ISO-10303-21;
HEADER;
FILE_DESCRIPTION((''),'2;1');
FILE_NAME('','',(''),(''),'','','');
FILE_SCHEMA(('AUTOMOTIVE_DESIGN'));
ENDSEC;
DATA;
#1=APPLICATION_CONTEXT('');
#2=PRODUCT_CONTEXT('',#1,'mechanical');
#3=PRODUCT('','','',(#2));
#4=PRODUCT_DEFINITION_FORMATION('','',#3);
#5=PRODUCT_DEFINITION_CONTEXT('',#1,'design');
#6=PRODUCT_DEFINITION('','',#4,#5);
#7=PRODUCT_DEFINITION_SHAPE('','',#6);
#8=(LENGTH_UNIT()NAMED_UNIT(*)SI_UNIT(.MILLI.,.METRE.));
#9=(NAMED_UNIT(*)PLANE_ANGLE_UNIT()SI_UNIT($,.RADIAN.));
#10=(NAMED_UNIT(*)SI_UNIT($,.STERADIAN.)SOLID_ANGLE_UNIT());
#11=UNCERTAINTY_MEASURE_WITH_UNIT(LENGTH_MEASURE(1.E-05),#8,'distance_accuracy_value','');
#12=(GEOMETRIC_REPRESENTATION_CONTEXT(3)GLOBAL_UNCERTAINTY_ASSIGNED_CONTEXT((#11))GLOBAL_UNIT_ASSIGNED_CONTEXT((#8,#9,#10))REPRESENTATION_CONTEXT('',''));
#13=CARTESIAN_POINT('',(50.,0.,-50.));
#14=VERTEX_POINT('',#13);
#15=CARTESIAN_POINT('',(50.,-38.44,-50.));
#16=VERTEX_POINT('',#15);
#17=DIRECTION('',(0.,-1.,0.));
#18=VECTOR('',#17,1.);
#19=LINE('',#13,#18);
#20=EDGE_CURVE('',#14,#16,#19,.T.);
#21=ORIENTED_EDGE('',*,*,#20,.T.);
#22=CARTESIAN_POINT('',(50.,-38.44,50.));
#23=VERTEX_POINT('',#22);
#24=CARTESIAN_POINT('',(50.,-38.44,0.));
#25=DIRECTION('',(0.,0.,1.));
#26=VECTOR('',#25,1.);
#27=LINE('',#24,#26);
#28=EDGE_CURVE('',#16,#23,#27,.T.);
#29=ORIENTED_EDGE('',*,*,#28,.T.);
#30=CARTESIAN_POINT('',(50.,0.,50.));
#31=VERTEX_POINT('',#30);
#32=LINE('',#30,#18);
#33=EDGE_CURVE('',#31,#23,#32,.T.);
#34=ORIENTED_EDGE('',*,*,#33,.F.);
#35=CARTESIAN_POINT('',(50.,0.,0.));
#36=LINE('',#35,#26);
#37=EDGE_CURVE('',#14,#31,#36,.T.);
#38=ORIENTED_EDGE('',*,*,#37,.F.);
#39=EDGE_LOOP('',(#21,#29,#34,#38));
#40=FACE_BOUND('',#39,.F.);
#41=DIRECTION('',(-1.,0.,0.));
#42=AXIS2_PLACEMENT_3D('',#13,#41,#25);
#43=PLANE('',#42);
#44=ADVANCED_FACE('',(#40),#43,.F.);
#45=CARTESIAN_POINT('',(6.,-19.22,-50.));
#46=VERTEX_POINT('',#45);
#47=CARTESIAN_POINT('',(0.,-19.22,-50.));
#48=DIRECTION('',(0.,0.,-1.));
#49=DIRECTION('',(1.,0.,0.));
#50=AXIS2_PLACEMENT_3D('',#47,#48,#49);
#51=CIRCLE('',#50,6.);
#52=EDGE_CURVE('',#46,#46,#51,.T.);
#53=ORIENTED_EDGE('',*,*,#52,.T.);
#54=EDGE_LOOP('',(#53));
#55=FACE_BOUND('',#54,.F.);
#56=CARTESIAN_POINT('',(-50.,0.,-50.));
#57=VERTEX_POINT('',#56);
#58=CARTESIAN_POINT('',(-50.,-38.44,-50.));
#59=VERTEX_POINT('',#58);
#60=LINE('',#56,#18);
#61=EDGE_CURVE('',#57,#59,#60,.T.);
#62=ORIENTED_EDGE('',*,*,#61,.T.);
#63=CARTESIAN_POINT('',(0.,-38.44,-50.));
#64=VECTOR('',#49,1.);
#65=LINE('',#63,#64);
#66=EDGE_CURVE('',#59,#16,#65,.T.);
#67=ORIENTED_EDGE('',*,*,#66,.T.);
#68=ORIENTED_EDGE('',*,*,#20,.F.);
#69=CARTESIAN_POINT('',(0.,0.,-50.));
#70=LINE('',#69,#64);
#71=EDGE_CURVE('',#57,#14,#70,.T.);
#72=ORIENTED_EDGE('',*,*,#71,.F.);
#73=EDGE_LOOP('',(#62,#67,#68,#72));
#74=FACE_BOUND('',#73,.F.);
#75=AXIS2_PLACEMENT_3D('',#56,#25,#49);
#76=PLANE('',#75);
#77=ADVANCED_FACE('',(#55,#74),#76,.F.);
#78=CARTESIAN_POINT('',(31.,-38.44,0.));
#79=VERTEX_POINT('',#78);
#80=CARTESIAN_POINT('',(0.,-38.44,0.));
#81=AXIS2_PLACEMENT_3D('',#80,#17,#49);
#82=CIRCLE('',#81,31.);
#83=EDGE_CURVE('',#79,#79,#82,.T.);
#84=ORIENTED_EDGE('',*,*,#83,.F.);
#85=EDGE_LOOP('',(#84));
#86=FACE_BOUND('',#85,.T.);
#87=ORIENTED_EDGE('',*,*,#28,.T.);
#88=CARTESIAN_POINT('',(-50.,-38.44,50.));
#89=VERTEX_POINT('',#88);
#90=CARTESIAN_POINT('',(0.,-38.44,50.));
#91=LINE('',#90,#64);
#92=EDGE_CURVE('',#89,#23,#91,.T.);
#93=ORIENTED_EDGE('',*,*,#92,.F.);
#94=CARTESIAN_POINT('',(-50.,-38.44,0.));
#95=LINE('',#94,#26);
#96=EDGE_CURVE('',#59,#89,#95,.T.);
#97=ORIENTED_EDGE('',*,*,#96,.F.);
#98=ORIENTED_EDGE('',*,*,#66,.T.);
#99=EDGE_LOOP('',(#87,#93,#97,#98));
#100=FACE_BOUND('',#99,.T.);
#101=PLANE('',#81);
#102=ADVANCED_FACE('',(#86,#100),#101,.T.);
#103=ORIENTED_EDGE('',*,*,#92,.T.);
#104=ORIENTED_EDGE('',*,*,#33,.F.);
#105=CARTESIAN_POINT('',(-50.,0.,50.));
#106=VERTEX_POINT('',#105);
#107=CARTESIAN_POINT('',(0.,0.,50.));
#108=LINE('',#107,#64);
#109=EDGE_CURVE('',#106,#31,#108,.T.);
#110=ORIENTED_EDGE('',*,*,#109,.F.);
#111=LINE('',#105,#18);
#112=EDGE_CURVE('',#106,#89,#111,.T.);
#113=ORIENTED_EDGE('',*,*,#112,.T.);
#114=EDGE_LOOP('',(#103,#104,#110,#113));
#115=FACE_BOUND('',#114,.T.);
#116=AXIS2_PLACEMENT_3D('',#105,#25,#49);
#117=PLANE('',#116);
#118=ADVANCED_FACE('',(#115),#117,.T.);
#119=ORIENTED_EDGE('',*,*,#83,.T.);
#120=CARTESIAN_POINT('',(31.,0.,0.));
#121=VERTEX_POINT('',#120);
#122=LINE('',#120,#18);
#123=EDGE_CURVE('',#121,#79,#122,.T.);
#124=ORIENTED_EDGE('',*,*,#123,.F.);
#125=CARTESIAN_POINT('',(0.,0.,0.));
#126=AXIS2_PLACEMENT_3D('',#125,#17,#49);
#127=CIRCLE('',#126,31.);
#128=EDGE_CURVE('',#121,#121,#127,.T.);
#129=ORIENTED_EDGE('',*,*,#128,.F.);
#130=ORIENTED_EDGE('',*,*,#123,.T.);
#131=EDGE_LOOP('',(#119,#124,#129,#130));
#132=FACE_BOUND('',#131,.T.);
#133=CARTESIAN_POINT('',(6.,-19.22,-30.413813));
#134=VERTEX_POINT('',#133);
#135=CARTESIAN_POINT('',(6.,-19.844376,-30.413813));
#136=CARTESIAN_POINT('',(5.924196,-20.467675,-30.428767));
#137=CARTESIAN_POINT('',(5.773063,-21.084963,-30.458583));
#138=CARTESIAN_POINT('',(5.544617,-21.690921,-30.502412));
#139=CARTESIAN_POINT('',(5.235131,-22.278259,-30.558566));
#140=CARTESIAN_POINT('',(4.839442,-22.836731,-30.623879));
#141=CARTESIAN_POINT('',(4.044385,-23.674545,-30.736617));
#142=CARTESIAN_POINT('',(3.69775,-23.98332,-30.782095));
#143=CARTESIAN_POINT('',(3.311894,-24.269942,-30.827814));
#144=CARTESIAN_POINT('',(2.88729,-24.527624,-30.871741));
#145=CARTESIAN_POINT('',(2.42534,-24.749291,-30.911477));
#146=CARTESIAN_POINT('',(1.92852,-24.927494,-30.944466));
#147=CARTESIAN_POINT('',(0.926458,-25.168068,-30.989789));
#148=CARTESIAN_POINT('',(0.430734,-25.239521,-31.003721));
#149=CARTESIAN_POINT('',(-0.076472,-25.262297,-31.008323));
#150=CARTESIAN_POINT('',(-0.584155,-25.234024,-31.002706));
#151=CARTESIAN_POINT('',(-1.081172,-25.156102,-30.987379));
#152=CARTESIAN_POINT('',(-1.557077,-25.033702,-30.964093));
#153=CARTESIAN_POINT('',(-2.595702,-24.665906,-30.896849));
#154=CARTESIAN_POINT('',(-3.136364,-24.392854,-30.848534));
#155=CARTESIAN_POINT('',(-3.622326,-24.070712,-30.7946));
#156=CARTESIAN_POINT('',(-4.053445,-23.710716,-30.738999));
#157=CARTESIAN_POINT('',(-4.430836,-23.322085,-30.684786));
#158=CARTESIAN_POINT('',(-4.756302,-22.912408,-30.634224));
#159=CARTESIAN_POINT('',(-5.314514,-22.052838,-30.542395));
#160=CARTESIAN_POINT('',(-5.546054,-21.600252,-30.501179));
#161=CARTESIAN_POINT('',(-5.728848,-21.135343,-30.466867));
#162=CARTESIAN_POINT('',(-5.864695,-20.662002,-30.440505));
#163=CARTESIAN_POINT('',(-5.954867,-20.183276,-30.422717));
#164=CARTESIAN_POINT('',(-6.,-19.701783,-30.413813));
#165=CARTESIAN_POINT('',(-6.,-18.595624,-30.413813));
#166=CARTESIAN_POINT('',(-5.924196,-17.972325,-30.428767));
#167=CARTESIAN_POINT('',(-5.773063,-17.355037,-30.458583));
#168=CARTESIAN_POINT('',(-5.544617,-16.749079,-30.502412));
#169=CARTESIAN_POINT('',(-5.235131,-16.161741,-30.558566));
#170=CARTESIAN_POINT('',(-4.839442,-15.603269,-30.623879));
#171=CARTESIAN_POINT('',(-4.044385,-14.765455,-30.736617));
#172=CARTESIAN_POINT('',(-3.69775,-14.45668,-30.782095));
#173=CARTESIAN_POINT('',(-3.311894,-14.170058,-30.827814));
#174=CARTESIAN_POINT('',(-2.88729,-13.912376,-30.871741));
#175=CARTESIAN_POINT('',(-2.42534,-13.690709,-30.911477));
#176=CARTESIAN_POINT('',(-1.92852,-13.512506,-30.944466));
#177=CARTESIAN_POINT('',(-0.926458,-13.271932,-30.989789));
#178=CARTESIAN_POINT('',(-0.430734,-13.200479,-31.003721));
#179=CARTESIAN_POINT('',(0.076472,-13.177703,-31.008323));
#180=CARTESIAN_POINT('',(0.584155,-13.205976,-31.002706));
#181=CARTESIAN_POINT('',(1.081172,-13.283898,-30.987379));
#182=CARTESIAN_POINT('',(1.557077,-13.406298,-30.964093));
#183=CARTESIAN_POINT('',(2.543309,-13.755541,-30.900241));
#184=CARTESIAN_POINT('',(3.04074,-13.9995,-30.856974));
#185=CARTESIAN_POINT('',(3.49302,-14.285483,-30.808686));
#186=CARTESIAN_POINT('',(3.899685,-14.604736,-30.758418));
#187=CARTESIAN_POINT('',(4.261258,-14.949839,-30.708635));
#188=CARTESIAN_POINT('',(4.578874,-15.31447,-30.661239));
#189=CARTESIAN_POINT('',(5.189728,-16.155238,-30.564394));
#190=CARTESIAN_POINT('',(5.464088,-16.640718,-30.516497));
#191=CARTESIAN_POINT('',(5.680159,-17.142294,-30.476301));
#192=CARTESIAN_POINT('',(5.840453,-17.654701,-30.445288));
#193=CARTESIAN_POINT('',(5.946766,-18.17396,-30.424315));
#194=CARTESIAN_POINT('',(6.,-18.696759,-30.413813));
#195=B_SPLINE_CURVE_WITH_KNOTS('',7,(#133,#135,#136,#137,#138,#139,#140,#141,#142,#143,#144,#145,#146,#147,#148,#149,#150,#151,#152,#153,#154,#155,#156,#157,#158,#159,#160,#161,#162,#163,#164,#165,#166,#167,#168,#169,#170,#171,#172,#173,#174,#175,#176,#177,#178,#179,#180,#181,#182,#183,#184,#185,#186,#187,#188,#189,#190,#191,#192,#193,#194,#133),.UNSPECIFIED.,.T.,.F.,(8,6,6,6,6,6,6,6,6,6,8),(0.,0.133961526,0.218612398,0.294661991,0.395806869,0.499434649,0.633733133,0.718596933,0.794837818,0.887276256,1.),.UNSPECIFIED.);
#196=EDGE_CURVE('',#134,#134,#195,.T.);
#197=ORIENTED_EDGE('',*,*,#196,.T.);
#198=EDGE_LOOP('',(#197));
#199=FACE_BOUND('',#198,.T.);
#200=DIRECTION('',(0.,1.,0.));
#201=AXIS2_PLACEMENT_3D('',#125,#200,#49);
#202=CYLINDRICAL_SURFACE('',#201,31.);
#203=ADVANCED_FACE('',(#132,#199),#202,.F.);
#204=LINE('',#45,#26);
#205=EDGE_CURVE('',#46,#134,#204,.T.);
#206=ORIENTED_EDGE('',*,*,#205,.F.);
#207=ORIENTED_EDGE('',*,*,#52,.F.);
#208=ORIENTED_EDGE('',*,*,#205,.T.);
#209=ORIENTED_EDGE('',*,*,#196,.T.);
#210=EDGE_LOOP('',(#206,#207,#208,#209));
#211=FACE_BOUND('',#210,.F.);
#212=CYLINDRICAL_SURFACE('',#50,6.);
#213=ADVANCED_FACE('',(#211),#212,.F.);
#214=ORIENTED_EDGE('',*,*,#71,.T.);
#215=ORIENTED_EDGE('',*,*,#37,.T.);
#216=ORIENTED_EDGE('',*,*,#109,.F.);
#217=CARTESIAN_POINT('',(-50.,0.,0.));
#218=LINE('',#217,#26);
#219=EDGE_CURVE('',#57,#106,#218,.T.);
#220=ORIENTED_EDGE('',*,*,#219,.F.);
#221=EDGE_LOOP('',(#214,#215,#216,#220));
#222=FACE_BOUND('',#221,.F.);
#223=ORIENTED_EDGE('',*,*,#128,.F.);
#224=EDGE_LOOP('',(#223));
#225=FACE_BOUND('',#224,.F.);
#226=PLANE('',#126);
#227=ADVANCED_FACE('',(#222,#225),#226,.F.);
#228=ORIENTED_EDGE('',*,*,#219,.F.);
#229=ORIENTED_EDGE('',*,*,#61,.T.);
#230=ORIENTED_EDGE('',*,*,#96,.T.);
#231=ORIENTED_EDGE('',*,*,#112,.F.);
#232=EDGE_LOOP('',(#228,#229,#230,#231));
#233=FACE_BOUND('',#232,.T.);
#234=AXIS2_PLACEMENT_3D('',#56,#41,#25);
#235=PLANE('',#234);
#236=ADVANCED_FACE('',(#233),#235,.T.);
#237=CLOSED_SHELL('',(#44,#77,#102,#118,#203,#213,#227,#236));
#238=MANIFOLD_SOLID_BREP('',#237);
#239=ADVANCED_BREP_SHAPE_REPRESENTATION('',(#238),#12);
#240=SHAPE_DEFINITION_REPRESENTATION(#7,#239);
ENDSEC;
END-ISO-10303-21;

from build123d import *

# Parameters (mm, degrees)
F0_W     = 100
F0_H     = 100
F0_R     = 31
F1_DEPTH = 38.44
F2_R     = 6
F3_DEPTH = 19.5871874485


with BuildPart() as f1:
    # F0 (on Front) → F1 (new body)
    with BuildSketch(Plane.XZ):
        Rectangle(F0_W, F0_H)
        Circle(F0_R, mode=Mode.SUBTRACT)
    extrude(amount=F1_DEPTH)

    # F2 (on face) → F3 (cut, through all)
    with BuildSketch(Plane(origin=(0, 0, -50), x_dir=(1, 0, 0), z_dir=(0, 0, -1))):
        with Locations((0, 19.22)):
            Circle(F2_R)
    extrude(amount=-F3_DEPTH, mode=Mode.SUBTRACT)


solid = f1.part
